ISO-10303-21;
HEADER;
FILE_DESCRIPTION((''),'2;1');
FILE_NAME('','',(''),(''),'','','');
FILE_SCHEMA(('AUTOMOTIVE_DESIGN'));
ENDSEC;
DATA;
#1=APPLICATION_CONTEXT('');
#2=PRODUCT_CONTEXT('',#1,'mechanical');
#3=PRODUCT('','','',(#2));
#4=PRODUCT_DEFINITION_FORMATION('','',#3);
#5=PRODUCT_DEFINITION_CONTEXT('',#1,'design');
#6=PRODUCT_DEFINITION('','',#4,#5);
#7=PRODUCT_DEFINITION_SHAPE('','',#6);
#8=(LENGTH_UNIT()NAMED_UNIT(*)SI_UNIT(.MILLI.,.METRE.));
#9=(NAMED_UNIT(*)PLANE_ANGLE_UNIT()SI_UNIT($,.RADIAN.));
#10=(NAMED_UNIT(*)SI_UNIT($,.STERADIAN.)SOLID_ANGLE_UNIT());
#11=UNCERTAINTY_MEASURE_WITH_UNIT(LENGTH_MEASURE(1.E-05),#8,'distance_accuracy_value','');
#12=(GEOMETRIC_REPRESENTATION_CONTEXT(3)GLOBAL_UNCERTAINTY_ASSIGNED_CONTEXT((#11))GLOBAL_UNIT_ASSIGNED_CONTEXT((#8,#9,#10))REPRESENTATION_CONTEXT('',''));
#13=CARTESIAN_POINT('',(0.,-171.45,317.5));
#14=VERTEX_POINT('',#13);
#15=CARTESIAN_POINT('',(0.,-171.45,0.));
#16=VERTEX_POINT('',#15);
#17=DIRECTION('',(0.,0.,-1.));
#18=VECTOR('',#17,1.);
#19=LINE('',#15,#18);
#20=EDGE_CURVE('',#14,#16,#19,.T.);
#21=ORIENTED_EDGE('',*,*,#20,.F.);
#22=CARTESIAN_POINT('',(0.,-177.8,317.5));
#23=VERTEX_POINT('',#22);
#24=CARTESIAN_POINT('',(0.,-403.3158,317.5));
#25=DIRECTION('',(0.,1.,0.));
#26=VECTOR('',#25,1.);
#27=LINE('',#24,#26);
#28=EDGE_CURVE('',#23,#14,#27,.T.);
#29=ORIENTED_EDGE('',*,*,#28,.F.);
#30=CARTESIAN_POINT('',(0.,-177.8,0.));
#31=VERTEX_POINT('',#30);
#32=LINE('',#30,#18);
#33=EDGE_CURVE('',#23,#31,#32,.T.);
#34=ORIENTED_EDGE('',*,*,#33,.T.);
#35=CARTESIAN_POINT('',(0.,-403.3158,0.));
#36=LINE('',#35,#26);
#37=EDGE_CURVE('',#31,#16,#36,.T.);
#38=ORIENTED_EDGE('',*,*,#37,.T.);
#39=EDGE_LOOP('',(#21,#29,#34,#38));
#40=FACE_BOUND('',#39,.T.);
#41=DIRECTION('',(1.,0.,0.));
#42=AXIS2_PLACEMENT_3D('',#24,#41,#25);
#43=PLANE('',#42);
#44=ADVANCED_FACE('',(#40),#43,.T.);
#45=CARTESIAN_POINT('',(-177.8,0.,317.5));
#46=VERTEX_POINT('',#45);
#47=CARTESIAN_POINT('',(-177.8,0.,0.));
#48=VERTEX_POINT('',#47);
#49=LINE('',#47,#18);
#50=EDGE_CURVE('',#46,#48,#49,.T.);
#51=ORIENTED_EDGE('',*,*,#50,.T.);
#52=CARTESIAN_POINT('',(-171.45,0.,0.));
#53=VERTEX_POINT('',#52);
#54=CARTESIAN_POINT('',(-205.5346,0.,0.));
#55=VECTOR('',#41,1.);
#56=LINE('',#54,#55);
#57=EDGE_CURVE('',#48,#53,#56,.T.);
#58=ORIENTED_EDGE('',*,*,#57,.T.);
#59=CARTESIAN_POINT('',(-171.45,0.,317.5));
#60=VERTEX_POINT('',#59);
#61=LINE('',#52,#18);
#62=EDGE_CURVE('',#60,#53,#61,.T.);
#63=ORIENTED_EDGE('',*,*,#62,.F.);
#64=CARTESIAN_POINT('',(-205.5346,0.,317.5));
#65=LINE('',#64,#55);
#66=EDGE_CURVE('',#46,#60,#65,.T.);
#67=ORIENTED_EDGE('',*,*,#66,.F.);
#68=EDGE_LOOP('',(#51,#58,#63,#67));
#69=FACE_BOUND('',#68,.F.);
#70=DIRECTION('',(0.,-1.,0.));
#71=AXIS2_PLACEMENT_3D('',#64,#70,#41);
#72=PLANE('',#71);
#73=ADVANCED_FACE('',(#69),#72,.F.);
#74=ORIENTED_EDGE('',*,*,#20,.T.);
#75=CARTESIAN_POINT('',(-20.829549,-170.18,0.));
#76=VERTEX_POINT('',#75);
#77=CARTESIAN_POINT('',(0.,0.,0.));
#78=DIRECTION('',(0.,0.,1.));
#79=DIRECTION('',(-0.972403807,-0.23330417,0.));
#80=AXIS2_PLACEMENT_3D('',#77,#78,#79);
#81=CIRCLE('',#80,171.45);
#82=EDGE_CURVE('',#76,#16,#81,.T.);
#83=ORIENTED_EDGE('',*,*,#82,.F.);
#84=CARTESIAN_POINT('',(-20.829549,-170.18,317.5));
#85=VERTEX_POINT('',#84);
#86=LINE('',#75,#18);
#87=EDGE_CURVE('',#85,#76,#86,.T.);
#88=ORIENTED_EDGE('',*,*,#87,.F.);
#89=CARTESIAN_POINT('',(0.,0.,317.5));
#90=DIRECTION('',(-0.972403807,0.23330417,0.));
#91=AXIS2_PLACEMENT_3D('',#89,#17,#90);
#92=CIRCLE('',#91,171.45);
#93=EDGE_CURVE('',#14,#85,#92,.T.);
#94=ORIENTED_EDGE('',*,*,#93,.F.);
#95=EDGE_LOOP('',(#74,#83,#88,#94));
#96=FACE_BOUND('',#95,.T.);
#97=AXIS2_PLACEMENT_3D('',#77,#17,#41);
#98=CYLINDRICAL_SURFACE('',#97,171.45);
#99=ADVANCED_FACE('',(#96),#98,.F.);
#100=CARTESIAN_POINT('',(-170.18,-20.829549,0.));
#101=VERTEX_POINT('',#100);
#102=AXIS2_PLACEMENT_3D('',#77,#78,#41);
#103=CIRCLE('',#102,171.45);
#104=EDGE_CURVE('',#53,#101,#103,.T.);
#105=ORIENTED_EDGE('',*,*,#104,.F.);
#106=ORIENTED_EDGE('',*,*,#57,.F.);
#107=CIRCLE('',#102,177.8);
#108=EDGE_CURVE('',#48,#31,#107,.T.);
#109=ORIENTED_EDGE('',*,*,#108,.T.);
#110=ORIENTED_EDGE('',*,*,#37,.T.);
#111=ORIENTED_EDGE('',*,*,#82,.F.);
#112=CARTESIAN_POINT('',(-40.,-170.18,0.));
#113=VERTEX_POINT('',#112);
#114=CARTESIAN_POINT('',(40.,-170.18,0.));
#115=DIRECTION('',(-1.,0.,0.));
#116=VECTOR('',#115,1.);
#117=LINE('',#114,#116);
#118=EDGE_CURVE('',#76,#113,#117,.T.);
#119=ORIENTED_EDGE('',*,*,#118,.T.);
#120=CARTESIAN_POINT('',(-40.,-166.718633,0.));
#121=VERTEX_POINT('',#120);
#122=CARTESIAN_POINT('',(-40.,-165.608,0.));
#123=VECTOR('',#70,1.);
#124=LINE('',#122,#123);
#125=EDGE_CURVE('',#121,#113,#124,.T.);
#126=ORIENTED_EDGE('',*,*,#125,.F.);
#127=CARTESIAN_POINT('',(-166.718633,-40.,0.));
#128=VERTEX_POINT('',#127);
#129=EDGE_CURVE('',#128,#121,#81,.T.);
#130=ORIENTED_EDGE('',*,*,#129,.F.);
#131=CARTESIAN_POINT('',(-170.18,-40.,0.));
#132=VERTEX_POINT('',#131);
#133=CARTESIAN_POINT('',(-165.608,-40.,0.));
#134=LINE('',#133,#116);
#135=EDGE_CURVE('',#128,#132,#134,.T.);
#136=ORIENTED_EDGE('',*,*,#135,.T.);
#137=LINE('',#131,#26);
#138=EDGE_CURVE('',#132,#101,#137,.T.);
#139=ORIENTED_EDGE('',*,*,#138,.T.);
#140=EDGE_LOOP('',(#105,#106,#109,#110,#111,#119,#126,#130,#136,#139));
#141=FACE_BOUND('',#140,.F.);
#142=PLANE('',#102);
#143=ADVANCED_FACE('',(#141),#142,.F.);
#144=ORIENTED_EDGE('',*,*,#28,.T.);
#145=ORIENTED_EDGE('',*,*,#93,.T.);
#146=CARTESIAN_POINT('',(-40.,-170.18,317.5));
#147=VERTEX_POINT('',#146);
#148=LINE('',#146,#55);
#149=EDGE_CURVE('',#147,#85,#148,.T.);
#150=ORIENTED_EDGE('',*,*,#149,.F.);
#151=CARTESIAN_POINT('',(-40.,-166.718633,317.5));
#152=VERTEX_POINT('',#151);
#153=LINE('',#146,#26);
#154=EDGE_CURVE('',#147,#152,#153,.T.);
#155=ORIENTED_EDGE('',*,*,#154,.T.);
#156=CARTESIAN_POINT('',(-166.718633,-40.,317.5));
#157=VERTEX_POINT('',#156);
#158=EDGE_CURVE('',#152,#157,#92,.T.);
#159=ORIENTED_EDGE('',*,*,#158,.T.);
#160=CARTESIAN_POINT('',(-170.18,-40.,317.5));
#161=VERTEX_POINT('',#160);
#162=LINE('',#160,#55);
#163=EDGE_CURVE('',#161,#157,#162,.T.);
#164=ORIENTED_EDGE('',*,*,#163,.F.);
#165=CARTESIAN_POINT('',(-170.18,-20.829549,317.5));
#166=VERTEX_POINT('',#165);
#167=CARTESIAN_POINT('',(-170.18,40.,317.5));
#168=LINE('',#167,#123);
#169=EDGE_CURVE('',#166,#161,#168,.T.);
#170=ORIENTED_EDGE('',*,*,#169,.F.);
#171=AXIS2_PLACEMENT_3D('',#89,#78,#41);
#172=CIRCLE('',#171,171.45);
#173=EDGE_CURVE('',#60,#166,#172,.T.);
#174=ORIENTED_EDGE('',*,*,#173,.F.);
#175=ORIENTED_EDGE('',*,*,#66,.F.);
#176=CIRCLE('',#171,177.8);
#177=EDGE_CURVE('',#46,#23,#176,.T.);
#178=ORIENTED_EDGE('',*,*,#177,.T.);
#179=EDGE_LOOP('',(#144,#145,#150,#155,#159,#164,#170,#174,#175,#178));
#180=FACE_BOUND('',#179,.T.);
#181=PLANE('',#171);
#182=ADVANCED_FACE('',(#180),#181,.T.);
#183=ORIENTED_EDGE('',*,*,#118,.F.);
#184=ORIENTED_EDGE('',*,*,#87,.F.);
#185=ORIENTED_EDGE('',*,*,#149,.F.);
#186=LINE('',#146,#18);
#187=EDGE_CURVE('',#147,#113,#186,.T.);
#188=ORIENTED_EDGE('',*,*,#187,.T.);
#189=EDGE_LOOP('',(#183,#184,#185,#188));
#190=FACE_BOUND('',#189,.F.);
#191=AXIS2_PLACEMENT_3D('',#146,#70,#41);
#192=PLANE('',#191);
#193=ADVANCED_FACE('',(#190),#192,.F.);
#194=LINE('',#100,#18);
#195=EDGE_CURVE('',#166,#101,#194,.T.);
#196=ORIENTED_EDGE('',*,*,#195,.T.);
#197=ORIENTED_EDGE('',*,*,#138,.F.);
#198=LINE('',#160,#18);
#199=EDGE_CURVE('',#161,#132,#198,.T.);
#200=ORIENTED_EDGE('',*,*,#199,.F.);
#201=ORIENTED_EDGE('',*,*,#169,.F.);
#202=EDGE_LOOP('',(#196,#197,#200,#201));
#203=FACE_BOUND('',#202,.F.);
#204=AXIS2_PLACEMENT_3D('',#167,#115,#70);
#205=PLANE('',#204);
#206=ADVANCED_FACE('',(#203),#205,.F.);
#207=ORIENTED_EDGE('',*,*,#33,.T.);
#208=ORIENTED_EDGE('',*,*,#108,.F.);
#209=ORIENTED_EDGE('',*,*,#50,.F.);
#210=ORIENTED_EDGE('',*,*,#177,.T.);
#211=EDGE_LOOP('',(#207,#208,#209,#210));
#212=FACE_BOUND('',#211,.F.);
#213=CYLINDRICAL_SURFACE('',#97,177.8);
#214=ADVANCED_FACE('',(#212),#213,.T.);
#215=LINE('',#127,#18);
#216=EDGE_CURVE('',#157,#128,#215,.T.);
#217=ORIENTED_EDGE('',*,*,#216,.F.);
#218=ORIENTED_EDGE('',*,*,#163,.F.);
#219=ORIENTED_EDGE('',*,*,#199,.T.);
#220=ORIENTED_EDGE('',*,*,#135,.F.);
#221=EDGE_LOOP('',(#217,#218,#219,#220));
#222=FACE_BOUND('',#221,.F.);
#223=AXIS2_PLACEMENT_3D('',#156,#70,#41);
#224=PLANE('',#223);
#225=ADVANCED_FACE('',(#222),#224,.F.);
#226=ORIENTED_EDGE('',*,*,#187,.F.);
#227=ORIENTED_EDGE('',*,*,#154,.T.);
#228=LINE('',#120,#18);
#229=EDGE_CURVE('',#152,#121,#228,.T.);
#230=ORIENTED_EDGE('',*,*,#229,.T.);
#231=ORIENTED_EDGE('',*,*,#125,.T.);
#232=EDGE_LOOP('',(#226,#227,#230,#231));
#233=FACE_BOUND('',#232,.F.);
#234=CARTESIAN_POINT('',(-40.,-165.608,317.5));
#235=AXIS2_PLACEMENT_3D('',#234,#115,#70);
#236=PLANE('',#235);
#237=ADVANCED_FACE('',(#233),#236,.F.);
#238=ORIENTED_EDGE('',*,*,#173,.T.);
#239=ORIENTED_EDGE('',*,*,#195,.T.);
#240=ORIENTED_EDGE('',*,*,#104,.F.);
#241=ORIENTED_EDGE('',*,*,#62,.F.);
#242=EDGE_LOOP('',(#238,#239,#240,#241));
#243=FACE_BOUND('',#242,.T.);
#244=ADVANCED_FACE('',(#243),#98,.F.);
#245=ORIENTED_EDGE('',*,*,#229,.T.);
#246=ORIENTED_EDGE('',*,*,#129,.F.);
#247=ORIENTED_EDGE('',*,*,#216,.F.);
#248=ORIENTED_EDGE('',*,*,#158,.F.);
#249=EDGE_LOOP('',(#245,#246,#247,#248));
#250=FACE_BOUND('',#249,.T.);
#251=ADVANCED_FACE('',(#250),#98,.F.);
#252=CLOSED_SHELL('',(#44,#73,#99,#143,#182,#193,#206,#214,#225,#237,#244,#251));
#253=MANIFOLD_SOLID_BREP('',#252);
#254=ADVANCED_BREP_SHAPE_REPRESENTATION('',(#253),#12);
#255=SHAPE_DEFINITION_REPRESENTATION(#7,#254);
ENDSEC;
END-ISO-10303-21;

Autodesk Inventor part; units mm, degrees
ref_plane "YZ Plane" through (0, 0, 0) normal (1, 0, 0) x (0, 1, 0)
ref_plane "XZ Plane" through (0, 0, 0) normal (0, 1, 0) x (-1, 0, 0)
ref_plane "XY Plane" through (0, 0, 0) normal (0, 0, 1) x (1, 0, 0)
sketch "Sketch1" plane through (0, 0, 0) normal (0, 0, 1) x (1, 0, 0)
  circle A0 centre (0, 0) radius 177.8
  circle A1 centre (0, 0) radius 171.45
  dimension "d0" = 355.6
  dimension "d1" = 342.9
extrude "Extrusion1" add sketch "Sketch1" along normal blind 317.5
sketch "Sketch2" plane through (0, 0, 317.5) normal (0, 0, 1) x (1, 0, 0)
  circle A0 centre (0, 0) radius 171.45 projected
  circle A1 centre (0, 0) radius 177.8 projected
  line L0 (0, 0) -> (-195.3507, 0)
  line L1 (-170.18, -40) -> (-165.608, -40)
  line L2 (-165.608, -40) -> (-165.608, 40)
  line L3 (-165.608, 40) -> (-170.18, 40)
  line L4 (-170.18, 40) -> (-170.18, -40)
  dimension "d4" = 80
  dimension "d5" = 165.608
  dimension "d6" = 4.572
extrude "Extrusion2" cut sketch "Sketch2" against normal blind 317.5 contours L3 L2 L0 L4 A0 | A0 L4 L3 | L1 L4 A0 | A0 L4 L0 L2 L1
pattern_circular "Circular Pattern1" count 4 over 360 about axis through (0, 0, -10) along (0, 0, 1) of "Extrusion2"
sketch "Sketch3" plane through (0, 0, 317.5) normal (0, 0, 1) x (1, 0, 0)
  line L0 (-205.5346, 0) -> (309.1067, 0)
  line L1 (309.1067, 0) -> (309.1067, 465.2654)
  line L2 (309.1067, 465.2654) -> (-205.5346, 465.2654)
  line L3 (-205.5346, 465.2654) -> (-205.5346, 0)
  line L4 (0, 604.1533) -> (225.7004, 604.1533)
  line L5 (225.7004, 604.1533) -> (225.7004, -403.3158)
  line L6 (225.7004, -403.3158) -> (0, -403.3158)
  line L7 (0, -403.3158) -> (0, 604.1533)
extrude "Extrusion3" cut sketch "Sketch3" against normal blind 317.5
properties part number "skin.25"
